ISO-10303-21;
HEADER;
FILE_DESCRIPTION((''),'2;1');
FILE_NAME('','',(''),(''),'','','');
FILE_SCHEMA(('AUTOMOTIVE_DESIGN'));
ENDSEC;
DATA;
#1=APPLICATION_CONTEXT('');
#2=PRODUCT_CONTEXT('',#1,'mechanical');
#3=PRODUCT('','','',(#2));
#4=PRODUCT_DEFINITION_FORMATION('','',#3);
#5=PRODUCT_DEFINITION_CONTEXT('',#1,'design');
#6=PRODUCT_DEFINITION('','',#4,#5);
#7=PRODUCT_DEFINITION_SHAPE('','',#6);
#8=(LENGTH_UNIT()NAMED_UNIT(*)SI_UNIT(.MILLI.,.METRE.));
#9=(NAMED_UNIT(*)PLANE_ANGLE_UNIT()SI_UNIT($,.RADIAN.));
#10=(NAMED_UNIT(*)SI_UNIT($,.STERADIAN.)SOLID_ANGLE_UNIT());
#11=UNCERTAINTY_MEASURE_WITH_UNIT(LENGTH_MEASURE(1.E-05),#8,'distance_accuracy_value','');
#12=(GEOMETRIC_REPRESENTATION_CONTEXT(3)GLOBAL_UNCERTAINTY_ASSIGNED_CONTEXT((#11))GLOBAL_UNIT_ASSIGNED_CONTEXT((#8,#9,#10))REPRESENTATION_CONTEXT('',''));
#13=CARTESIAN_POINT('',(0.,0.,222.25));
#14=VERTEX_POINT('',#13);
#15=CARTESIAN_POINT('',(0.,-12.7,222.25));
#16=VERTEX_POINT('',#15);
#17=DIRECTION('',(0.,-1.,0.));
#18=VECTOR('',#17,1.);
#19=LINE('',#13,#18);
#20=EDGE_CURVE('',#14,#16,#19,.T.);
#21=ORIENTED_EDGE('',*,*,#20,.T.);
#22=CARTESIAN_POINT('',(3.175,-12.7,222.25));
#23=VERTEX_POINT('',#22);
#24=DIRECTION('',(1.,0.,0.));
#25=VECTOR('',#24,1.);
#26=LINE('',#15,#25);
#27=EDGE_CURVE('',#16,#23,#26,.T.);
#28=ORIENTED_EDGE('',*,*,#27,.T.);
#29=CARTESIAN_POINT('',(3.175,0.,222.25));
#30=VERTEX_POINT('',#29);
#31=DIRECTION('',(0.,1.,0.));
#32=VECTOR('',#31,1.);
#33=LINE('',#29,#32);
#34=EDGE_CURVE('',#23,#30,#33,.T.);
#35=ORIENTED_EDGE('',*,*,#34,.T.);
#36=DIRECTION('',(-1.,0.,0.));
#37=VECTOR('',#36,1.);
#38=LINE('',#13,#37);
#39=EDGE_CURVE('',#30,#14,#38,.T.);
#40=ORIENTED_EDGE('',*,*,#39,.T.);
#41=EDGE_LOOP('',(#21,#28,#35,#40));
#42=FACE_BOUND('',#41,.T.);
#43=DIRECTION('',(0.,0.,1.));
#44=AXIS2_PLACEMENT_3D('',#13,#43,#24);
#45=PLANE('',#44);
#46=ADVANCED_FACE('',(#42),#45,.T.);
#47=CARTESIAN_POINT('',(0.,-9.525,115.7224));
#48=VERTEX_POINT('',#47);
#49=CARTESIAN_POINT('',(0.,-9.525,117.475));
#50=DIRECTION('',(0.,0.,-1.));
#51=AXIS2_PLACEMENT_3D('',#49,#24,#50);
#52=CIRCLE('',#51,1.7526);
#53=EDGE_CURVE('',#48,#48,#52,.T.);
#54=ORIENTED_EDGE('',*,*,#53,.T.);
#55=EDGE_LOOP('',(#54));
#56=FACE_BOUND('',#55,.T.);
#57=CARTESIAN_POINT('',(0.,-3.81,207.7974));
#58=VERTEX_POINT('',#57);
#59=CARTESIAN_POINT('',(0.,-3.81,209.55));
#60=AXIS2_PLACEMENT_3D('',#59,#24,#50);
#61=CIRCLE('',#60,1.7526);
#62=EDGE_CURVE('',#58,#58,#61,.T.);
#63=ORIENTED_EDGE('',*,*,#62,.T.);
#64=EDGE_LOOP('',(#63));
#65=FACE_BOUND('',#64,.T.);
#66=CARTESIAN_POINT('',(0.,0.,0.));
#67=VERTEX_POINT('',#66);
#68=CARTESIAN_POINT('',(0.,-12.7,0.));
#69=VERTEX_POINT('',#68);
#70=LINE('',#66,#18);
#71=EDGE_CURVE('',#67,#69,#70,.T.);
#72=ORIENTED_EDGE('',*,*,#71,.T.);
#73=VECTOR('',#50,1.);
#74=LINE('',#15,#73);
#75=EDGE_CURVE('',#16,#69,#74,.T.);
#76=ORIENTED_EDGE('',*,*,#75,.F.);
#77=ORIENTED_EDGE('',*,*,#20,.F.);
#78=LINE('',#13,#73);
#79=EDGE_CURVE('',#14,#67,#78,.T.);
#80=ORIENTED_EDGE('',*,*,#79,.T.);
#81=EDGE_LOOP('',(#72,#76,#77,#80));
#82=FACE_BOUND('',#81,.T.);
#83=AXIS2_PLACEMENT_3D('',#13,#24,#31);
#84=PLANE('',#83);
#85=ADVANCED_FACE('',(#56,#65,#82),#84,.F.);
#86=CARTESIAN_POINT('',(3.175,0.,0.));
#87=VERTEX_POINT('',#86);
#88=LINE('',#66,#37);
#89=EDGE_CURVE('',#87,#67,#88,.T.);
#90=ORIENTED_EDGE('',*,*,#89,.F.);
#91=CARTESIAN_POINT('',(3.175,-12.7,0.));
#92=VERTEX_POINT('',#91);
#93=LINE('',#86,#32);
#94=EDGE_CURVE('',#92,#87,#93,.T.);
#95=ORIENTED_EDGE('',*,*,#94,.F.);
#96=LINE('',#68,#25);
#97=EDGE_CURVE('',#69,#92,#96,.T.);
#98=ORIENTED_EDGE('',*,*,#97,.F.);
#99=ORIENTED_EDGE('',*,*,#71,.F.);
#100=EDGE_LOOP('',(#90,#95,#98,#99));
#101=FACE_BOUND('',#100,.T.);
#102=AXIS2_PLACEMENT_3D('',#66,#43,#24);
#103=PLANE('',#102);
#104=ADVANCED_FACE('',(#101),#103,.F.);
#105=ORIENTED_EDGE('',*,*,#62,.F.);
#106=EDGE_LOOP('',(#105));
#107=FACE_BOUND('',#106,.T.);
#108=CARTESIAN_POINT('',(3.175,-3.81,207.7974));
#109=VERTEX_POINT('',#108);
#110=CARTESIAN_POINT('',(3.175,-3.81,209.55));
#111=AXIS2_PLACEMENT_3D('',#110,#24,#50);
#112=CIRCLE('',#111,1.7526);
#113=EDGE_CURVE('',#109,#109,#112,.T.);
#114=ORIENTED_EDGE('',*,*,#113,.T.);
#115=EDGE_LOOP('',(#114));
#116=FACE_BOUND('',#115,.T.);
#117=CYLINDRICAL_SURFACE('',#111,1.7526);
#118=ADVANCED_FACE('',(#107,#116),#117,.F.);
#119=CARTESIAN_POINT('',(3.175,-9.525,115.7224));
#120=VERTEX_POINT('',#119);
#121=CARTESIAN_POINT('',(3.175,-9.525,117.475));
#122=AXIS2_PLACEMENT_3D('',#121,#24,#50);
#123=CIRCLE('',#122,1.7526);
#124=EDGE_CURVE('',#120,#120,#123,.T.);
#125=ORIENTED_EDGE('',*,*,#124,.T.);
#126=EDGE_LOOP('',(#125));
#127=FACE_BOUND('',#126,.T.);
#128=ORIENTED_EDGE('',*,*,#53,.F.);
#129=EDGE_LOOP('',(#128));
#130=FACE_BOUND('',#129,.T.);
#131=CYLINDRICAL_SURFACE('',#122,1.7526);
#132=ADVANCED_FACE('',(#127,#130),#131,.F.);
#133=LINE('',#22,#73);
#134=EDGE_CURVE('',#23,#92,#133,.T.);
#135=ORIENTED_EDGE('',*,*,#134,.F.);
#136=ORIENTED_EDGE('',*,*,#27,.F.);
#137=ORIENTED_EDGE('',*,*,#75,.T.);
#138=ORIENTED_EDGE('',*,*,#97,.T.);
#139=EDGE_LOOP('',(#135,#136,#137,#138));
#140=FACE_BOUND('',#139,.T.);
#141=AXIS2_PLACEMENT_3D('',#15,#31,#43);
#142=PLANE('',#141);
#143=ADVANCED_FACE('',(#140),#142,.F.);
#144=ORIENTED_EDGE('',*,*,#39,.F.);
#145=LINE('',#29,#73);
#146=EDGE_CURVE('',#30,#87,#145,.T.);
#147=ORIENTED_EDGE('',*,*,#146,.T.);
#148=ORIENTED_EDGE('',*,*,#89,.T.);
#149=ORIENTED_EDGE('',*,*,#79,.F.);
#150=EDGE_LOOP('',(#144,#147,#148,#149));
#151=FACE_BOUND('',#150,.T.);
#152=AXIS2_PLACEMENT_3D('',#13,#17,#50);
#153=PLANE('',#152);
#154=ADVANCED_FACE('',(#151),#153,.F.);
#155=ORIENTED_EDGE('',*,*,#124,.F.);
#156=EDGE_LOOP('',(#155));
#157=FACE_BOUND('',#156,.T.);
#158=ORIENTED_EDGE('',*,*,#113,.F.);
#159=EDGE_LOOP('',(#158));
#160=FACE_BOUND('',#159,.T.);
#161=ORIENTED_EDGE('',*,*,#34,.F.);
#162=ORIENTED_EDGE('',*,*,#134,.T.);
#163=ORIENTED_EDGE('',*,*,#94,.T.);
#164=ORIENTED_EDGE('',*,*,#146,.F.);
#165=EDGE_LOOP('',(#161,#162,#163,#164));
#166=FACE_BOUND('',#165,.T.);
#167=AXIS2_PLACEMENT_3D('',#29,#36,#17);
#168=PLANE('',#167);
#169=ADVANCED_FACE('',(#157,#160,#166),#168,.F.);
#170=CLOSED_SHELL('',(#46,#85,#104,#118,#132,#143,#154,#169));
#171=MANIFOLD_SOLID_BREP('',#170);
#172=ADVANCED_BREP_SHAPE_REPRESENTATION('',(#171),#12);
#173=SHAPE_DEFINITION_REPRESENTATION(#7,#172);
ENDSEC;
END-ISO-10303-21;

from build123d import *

# Parameters (mm, degrees)
SKETCH1_W                  = 3.175
SKETCH1_H                  = 12.7
BOSS_EXTRUDE1_DEPTH        = 222.25
F_6_0_138_DIAMETER_HOLE1_D = 3.5052
F_6_0_138_DIAMETER_HOLE3_D = 3.5052


with BuildPart() as part:
    # Sketch1 → Boss-Extrude1 (new body)
    with BuildSketch(Plane.XY):
        with Locations((1.5875, -6.35)):
            Rectangle(SKETCH1_W, SKETCH1_H)
    extrude(amount=BOSS_EXTRUDE1_DEPTH)

    # #6 (0.138) Diameter Hole1 (through all)
    with Locations(Plane(origin=(3.175, -3.81, 209.55), x_dir=(0, 1, 0), z_dir=(1, 0, 0))):
        with Locations((0, 0)):
            Hole(F_6_0_138_DIAMETER_HOLE1_D / 2)

    # #6 (0.138) Diameter Hole3 (through all)
    with Locations(Plane(origin=(3.175, -9.525, 117.475), x_dir=(0, 1, 0), z_dir=(1, 0, 0))):
        with Locations((0, 0)):
            Hole(F_6_0_138_DIAMETER_HOLE3_D / 2)


solid = part.part
